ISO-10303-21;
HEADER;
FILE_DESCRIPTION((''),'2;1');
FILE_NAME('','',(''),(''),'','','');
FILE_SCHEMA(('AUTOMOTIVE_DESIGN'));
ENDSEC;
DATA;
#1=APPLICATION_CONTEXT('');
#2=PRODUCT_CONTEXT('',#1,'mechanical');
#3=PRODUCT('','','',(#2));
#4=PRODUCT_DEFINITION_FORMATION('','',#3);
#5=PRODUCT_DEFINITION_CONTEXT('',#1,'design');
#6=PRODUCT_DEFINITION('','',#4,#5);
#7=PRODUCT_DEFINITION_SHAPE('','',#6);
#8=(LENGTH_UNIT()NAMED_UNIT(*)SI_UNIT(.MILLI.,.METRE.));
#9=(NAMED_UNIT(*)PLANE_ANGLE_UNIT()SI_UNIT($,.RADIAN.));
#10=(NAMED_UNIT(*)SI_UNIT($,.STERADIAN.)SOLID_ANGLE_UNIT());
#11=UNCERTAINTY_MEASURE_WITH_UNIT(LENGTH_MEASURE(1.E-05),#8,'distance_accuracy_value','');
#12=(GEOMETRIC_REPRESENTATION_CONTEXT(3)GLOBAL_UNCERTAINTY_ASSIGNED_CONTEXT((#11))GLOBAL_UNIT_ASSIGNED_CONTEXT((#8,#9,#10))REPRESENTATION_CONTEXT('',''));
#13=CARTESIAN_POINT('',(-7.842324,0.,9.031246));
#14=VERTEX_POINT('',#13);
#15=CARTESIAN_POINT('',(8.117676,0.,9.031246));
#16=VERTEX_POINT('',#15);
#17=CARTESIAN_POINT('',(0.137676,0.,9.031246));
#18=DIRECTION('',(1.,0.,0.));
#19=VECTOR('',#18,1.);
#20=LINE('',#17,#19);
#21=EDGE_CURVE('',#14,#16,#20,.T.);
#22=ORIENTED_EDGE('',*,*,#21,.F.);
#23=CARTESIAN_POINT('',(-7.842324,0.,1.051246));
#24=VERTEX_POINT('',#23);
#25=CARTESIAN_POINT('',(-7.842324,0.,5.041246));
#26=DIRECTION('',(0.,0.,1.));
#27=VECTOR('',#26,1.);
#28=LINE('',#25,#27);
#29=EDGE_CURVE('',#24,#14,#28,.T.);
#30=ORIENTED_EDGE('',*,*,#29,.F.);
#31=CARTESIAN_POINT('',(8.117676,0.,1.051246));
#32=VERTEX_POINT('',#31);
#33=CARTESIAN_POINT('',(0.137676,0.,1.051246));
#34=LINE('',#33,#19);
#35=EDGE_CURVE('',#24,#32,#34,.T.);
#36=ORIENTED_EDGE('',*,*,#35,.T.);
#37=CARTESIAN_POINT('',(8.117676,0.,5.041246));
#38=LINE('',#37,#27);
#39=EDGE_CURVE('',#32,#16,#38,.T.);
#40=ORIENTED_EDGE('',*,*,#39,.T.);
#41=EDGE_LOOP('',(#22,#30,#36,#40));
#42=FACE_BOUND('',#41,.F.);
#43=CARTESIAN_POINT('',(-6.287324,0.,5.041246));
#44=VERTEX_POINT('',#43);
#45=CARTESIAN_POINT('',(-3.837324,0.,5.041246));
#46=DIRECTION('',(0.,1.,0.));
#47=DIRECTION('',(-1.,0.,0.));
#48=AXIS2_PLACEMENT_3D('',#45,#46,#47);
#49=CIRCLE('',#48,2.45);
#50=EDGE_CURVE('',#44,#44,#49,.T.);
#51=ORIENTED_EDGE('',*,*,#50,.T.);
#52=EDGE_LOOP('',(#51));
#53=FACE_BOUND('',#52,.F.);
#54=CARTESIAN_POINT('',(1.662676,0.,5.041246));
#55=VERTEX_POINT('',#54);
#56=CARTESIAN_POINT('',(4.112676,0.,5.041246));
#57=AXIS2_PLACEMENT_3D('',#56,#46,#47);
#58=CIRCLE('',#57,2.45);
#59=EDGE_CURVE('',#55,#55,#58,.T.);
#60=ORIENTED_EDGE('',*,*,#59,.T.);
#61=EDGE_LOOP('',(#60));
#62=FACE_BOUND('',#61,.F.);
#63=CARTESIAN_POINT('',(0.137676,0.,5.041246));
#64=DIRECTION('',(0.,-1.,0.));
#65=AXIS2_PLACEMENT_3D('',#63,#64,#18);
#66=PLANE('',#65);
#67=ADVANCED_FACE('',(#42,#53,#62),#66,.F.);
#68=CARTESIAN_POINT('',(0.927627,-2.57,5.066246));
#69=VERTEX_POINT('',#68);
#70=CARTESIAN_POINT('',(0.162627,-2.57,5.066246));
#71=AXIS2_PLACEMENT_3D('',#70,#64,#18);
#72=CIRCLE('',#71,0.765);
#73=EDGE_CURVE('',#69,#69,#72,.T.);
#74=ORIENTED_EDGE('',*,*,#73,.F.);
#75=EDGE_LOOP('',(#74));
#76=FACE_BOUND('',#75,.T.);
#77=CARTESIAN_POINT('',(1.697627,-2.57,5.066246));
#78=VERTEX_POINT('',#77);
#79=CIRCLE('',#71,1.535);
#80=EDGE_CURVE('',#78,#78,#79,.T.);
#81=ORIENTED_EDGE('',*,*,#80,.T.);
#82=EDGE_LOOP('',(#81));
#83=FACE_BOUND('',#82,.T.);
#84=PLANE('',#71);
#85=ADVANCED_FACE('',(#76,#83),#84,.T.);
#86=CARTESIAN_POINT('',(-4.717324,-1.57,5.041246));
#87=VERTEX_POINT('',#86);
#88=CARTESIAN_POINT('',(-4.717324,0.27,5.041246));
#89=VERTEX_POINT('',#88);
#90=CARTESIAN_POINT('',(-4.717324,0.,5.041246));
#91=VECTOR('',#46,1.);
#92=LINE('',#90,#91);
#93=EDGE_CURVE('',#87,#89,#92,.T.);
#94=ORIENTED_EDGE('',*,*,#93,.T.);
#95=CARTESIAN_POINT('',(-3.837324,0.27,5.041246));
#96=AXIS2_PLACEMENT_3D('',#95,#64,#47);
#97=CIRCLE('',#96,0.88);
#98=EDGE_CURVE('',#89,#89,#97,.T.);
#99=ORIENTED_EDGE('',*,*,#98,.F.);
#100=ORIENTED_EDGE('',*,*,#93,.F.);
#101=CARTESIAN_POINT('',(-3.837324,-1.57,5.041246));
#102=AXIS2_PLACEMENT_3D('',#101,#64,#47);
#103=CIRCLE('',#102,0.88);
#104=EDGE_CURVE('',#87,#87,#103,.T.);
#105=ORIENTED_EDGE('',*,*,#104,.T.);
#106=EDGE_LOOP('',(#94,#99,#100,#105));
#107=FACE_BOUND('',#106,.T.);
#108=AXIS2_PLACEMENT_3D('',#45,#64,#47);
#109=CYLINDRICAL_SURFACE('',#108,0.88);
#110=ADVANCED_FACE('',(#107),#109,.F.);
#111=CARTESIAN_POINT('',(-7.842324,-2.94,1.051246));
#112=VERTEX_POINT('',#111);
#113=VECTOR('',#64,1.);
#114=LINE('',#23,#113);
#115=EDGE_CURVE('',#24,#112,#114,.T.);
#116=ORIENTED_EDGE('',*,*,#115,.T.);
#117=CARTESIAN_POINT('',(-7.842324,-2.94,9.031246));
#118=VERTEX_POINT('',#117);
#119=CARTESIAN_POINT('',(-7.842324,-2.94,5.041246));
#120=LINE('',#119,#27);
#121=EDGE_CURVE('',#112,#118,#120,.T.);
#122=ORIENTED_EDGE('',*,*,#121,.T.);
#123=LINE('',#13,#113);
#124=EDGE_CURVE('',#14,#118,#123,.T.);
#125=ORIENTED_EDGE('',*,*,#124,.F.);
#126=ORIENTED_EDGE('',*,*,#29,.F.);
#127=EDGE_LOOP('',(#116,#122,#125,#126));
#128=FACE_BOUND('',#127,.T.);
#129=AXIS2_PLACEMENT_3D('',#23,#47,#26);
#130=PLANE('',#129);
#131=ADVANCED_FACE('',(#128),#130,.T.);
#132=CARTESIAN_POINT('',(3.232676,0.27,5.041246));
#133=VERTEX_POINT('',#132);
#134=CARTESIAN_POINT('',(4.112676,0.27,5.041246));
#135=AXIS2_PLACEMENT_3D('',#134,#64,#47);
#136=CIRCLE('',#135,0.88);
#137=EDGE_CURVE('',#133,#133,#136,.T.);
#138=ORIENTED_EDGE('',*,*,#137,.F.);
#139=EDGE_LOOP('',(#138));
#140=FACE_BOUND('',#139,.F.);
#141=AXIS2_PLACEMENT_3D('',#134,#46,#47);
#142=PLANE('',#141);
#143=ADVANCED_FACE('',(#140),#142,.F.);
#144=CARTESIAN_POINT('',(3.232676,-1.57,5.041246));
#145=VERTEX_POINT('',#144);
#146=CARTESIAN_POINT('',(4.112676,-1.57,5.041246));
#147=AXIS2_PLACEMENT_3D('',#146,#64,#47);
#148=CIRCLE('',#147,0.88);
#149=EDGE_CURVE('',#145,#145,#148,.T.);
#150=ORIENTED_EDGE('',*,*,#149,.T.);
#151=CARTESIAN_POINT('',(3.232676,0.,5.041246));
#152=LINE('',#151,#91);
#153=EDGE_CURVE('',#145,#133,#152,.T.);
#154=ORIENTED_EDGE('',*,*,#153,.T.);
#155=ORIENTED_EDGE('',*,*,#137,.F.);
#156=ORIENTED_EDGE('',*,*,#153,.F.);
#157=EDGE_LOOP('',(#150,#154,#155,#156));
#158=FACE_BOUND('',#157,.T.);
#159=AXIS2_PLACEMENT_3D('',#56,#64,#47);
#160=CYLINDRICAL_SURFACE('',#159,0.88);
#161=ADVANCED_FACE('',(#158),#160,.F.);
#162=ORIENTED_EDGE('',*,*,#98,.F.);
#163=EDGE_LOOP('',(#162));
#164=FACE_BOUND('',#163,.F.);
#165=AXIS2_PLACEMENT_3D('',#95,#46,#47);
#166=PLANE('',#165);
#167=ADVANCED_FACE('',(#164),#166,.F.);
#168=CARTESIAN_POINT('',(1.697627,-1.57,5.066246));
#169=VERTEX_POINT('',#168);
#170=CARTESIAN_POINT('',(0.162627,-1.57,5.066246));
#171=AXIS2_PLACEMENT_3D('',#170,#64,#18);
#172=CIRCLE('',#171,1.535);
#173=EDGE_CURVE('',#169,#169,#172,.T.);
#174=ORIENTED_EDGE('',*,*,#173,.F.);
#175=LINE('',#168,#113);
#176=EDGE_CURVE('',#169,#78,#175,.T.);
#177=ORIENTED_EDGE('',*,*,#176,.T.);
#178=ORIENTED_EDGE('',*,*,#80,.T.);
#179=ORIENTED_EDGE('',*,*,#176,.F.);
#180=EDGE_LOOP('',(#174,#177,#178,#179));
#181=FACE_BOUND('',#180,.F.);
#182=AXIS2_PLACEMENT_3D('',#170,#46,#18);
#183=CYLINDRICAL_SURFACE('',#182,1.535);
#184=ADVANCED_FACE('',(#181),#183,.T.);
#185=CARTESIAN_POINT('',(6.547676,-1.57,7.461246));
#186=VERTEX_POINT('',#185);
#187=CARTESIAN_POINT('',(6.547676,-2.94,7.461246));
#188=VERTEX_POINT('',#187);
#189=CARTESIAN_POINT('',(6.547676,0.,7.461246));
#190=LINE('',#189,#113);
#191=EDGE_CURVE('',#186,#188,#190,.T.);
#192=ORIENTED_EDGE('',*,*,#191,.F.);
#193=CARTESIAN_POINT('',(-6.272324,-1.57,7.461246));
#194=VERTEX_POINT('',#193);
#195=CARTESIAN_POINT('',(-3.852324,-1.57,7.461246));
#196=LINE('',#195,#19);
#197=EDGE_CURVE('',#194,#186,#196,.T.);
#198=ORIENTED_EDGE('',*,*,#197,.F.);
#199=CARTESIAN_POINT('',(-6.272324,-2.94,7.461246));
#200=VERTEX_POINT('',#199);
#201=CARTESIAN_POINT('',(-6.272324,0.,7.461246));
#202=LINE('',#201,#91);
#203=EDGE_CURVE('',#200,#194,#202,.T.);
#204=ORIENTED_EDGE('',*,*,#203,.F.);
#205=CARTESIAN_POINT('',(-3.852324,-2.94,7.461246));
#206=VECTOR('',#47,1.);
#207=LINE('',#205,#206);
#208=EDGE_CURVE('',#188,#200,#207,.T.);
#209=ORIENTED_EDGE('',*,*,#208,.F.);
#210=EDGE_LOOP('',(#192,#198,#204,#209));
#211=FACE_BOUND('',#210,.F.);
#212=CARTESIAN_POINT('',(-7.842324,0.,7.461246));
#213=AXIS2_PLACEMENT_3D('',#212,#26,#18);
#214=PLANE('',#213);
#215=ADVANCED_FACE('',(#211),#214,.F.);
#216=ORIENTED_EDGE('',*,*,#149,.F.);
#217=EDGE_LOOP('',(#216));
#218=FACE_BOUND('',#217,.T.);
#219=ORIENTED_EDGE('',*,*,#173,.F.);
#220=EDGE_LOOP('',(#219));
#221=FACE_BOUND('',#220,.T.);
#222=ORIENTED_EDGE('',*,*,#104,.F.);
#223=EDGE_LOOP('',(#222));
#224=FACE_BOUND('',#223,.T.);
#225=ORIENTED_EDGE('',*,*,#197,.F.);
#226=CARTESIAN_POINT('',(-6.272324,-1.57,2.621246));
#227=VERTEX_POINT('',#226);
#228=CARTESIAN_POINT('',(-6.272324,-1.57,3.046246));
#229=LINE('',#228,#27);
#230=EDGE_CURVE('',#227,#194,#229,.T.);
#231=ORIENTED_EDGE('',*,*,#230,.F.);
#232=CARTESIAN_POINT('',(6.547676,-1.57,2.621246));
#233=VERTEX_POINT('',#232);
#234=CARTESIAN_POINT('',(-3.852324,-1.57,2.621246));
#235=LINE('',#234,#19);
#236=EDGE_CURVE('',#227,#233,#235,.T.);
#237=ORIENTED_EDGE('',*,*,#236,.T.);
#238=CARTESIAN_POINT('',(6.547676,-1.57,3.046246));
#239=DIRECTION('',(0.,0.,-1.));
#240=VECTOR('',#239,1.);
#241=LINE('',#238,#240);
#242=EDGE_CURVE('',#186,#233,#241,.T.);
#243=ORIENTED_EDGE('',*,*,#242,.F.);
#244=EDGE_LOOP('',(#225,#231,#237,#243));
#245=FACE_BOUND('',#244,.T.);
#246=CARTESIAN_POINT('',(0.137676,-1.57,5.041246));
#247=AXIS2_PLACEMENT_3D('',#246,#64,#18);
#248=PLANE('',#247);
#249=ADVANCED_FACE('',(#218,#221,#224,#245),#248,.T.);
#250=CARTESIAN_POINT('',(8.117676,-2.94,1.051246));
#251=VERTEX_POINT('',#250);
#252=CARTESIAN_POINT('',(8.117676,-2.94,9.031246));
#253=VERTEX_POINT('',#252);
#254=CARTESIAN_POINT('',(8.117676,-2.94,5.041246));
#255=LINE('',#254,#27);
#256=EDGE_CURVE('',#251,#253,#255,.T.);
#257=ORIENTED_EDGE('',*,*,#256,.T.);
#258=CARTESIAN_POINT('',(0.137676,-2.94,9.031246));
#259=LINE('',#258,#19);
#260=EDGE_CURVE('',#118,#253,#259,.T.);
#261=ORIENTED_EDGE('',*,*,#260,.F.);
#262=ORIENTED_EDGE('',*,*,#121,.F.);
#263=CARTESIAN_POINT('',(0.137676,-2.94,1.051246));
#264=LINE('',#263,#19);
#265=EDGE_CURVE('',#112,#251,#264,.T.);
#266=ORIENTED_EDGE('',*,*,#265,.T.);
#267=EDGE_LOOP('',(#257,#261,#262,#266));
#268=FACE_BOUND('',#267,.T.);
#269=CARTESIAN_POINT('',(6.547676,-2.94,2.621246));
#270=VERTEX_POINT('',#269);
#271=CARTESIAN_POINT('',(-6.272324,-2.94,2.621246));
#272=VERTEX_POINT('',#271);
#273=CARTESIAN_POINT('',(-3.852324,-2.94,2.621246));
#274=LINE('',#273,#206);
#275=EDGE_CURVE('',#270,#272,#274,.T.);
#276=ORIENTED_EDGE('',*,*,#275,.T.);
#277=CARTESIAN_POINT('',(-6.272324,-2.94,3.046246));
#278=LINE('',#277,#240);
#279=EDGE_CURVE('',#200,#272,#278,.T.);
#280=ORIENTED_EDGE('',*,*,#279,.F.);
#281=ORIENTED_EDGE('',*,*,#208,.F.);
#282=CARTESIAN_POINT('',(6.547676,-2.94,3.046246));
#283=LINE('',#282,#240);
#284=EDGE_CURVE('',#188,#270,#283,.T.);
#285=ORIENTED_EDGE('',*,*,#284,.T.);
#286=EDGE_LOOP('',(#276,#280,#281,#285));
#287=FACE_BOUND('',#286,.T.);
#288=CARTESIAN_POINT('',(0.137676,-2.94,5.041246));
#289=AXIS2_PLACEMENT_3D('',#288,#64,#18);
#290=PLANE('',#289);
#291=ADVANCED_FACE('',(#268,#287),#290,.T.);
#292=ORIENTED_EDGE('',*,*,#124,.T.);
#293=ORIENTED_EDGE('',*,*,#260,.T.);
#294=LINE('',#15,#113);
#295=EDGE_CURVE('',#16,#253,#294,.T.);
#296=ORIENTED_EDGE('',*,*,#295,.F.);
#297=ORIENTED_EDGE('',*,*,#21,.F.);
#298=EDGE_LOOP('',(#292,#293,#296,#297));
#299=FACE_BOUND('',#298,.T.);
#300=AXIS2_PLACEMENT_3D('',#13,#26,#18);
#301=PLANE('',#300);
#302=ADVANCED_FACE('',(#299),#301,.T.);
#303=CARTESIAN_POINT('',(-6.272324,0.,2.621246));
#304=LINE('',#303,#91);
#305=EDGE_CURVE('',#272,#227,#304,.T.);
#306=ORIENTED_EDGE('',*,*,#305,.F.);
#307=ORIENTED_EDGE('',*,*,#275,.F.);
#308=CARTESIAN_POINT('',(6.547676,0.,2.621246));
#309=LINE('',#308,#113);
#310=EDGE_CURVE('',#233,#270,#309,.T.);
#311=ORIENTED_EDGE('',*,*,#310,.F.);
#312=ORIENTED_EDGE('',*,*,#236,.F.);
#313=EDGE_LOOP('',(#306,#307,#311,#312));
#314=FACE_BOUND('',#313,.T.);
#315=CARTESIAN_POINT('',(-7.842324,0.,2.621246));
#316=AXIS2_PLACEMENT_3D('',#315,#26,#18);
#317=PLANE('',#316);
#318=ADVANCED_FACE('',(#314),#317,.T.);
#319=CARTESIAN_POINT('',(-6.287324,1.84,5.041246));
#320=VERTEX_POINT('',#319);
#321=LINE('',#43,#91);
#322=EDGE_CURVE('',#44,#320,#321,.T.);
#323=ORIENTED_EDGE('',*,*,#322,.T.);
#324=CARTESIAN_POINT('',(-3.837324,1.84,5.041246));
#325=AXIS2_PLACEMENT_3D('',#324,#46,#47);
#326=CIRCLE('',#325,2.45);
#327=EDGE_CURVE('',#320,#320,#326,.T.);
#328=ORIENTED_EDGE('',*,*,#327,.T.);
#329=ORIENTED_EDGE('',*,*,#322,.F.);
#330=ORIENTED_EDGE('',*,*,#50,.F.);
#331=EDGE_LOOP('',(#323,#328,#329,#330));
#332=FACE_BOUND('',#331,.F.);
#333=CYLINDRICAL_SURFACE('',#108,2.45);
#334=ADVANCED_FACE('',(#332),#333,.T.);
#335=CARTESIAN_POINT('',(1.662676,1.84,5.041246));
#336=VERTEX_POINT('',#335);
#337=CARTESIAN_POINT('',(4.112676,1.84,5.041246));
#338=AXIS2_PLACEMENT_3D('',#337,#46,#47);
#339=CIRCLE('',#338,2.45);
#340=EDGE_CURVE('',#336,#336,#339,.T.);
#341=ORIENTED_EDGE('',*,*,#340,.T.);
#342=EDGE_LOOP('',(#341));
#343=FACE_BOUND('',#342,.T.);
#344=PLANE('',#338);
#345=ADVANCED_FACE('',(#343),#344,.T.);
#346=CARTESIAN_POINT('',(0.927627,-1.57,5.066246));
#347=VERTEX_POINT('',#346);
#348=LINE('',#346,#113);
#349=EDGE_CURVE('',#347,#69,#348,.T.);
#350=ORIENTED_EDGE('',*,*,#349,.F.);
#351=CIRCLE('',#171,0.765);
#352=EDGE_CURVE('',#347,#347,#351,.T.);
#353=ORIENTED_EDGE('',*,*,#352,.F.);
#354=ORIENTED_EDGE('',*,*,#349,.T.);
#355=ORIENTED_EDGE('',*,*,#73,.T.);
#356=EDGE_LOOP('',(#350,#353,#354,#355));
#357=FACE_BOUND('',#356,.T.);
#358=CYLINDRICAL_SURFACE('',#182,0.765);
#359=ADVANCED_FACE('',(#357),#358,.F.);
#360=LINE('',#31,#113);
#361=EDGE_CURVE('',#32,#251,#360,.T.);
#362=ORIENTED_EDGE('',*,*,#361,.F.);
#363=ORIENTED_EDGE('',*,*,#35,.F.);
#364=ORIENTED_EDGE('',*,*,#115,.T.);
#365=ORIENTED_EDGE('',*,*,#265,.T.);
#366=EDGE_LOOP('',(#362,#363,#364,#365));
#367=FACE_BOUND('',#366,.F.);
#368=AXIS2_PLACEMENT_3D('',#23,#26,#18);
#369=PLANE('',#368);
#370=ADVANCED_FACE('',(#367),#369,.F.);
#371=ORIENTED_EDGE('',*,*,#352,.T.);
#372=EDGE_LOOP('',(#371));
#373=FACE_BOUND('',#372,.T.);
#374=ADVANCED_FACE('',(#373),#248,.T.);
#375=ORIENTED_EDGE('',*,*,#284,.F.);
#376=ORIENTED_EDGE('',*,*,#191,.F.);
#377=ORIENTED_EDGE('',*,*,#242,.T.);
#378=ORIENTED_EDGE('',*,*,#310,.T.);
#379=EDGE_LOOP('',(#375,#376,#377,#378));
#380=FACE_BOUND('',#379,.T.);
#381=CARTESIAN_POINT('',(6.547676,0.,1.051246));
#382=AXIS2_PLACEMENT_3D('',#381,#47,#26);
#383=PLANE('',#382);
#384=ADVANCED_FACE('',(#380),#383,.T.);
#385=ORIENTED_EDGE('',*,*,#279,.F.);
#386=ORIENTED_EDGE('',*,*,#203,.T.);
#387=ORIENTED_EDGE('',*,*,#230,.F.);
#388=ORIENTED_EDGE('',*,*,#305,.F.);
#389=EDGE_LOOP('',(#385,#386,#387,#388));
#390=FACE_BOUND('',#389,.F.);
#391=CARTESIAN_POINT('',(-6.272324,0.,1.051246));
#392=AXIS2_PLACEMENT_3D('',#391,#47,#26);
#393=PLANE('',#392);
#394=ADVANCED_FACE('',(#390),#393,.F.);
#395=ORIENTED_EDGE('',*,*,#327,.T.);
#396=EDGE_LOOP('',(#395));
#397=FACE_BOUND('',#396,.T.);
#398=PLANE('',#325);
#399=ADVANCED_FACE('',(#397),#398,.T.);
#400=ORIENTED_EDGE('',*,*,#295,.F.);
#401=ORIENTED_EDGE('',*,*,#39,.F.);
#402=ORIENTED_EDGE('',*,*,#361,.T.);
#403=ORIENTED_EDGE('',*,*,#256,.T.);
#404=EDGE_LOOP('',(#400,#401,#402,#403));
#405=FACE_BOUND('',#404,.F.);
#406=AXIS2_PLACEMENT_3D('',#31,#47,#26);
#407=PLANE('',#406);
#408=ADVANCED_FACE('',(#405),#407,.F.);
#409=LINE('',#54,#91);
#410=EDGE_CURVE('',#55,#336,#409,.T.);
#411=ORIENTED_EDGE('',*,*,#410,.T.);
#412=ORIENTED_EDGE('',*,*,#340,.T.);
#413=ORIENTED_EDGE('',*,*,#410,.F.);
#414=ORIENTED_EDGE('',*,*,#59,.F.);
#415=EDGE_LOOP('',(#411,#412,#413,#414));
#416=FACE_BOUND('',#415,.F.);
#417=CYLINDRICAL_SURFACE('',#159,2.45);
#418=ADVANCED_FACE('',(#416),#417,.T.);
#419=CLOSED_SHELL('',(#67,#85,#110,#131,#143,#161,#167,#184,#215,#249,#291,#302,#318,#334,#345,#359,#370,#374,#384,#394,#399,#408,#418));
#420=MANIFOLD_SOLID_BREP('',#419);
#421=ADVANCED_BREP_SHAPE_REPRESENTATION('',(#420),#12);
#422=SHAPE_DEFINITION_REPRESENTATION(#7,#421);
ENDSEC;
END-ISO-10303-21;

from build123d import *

# Parameters (mm, degrees)
F0_W     = 15.96
F0_H     = 7.98
F1_DEPTH = 2.94
F2_R     = 2.45
F3_DEPTH = 1.84
F4_T     = -1.57
F5_R     = 1.535
F5_R_2   = 0.765
F6_DEPTH = 1


with BuildPart() as f1:
    # F0 (on Front) → F1 (new body)
    with BuildSketch(Plane.XZ):
        with Locations((0.1376755536, 5.0412456957)):
            Rectangle(F0_W, F0_H)
    extrude(amount=F1_DEPTH)

    # F2 (on face) → F3 (join)
    with BuildSketch(Plane(origin=(0, 0, 0), x_dir=(-1, 0, 0), z_dir=(0, 1, 0))):
        with Locations((3.8373244464, 5.0412456957)):
            Circle(F2_R)
        with Locations((-4.1126755536, 5.0412456957)):
            Circle(F2_R)
    extrude(amount=F3_DEPTH)

    # F4
    f4_openings = [f1.faces().sort_by_distance(p)[0] for p in [
        (0.137676, -2.94, 5.041246),
    ]]
    offset(amount=F4_T, openings=f4_openings, kind=Kind.INTERSECTION)

    # F5 (on face) → F6 (join)
    with BuildSketch(Plane.XZ.offset(1.57)):
        with Locations((0.1626269908, 5.0662456957)):
            Circle(F5_R)
        with Locations((0.1626269908, 5.0662456957)):
            Circle(F5_R_2, mode=Mode.SUBTRACT)
    extrude(amount=F6_DEPTH)


solid = f1.part
